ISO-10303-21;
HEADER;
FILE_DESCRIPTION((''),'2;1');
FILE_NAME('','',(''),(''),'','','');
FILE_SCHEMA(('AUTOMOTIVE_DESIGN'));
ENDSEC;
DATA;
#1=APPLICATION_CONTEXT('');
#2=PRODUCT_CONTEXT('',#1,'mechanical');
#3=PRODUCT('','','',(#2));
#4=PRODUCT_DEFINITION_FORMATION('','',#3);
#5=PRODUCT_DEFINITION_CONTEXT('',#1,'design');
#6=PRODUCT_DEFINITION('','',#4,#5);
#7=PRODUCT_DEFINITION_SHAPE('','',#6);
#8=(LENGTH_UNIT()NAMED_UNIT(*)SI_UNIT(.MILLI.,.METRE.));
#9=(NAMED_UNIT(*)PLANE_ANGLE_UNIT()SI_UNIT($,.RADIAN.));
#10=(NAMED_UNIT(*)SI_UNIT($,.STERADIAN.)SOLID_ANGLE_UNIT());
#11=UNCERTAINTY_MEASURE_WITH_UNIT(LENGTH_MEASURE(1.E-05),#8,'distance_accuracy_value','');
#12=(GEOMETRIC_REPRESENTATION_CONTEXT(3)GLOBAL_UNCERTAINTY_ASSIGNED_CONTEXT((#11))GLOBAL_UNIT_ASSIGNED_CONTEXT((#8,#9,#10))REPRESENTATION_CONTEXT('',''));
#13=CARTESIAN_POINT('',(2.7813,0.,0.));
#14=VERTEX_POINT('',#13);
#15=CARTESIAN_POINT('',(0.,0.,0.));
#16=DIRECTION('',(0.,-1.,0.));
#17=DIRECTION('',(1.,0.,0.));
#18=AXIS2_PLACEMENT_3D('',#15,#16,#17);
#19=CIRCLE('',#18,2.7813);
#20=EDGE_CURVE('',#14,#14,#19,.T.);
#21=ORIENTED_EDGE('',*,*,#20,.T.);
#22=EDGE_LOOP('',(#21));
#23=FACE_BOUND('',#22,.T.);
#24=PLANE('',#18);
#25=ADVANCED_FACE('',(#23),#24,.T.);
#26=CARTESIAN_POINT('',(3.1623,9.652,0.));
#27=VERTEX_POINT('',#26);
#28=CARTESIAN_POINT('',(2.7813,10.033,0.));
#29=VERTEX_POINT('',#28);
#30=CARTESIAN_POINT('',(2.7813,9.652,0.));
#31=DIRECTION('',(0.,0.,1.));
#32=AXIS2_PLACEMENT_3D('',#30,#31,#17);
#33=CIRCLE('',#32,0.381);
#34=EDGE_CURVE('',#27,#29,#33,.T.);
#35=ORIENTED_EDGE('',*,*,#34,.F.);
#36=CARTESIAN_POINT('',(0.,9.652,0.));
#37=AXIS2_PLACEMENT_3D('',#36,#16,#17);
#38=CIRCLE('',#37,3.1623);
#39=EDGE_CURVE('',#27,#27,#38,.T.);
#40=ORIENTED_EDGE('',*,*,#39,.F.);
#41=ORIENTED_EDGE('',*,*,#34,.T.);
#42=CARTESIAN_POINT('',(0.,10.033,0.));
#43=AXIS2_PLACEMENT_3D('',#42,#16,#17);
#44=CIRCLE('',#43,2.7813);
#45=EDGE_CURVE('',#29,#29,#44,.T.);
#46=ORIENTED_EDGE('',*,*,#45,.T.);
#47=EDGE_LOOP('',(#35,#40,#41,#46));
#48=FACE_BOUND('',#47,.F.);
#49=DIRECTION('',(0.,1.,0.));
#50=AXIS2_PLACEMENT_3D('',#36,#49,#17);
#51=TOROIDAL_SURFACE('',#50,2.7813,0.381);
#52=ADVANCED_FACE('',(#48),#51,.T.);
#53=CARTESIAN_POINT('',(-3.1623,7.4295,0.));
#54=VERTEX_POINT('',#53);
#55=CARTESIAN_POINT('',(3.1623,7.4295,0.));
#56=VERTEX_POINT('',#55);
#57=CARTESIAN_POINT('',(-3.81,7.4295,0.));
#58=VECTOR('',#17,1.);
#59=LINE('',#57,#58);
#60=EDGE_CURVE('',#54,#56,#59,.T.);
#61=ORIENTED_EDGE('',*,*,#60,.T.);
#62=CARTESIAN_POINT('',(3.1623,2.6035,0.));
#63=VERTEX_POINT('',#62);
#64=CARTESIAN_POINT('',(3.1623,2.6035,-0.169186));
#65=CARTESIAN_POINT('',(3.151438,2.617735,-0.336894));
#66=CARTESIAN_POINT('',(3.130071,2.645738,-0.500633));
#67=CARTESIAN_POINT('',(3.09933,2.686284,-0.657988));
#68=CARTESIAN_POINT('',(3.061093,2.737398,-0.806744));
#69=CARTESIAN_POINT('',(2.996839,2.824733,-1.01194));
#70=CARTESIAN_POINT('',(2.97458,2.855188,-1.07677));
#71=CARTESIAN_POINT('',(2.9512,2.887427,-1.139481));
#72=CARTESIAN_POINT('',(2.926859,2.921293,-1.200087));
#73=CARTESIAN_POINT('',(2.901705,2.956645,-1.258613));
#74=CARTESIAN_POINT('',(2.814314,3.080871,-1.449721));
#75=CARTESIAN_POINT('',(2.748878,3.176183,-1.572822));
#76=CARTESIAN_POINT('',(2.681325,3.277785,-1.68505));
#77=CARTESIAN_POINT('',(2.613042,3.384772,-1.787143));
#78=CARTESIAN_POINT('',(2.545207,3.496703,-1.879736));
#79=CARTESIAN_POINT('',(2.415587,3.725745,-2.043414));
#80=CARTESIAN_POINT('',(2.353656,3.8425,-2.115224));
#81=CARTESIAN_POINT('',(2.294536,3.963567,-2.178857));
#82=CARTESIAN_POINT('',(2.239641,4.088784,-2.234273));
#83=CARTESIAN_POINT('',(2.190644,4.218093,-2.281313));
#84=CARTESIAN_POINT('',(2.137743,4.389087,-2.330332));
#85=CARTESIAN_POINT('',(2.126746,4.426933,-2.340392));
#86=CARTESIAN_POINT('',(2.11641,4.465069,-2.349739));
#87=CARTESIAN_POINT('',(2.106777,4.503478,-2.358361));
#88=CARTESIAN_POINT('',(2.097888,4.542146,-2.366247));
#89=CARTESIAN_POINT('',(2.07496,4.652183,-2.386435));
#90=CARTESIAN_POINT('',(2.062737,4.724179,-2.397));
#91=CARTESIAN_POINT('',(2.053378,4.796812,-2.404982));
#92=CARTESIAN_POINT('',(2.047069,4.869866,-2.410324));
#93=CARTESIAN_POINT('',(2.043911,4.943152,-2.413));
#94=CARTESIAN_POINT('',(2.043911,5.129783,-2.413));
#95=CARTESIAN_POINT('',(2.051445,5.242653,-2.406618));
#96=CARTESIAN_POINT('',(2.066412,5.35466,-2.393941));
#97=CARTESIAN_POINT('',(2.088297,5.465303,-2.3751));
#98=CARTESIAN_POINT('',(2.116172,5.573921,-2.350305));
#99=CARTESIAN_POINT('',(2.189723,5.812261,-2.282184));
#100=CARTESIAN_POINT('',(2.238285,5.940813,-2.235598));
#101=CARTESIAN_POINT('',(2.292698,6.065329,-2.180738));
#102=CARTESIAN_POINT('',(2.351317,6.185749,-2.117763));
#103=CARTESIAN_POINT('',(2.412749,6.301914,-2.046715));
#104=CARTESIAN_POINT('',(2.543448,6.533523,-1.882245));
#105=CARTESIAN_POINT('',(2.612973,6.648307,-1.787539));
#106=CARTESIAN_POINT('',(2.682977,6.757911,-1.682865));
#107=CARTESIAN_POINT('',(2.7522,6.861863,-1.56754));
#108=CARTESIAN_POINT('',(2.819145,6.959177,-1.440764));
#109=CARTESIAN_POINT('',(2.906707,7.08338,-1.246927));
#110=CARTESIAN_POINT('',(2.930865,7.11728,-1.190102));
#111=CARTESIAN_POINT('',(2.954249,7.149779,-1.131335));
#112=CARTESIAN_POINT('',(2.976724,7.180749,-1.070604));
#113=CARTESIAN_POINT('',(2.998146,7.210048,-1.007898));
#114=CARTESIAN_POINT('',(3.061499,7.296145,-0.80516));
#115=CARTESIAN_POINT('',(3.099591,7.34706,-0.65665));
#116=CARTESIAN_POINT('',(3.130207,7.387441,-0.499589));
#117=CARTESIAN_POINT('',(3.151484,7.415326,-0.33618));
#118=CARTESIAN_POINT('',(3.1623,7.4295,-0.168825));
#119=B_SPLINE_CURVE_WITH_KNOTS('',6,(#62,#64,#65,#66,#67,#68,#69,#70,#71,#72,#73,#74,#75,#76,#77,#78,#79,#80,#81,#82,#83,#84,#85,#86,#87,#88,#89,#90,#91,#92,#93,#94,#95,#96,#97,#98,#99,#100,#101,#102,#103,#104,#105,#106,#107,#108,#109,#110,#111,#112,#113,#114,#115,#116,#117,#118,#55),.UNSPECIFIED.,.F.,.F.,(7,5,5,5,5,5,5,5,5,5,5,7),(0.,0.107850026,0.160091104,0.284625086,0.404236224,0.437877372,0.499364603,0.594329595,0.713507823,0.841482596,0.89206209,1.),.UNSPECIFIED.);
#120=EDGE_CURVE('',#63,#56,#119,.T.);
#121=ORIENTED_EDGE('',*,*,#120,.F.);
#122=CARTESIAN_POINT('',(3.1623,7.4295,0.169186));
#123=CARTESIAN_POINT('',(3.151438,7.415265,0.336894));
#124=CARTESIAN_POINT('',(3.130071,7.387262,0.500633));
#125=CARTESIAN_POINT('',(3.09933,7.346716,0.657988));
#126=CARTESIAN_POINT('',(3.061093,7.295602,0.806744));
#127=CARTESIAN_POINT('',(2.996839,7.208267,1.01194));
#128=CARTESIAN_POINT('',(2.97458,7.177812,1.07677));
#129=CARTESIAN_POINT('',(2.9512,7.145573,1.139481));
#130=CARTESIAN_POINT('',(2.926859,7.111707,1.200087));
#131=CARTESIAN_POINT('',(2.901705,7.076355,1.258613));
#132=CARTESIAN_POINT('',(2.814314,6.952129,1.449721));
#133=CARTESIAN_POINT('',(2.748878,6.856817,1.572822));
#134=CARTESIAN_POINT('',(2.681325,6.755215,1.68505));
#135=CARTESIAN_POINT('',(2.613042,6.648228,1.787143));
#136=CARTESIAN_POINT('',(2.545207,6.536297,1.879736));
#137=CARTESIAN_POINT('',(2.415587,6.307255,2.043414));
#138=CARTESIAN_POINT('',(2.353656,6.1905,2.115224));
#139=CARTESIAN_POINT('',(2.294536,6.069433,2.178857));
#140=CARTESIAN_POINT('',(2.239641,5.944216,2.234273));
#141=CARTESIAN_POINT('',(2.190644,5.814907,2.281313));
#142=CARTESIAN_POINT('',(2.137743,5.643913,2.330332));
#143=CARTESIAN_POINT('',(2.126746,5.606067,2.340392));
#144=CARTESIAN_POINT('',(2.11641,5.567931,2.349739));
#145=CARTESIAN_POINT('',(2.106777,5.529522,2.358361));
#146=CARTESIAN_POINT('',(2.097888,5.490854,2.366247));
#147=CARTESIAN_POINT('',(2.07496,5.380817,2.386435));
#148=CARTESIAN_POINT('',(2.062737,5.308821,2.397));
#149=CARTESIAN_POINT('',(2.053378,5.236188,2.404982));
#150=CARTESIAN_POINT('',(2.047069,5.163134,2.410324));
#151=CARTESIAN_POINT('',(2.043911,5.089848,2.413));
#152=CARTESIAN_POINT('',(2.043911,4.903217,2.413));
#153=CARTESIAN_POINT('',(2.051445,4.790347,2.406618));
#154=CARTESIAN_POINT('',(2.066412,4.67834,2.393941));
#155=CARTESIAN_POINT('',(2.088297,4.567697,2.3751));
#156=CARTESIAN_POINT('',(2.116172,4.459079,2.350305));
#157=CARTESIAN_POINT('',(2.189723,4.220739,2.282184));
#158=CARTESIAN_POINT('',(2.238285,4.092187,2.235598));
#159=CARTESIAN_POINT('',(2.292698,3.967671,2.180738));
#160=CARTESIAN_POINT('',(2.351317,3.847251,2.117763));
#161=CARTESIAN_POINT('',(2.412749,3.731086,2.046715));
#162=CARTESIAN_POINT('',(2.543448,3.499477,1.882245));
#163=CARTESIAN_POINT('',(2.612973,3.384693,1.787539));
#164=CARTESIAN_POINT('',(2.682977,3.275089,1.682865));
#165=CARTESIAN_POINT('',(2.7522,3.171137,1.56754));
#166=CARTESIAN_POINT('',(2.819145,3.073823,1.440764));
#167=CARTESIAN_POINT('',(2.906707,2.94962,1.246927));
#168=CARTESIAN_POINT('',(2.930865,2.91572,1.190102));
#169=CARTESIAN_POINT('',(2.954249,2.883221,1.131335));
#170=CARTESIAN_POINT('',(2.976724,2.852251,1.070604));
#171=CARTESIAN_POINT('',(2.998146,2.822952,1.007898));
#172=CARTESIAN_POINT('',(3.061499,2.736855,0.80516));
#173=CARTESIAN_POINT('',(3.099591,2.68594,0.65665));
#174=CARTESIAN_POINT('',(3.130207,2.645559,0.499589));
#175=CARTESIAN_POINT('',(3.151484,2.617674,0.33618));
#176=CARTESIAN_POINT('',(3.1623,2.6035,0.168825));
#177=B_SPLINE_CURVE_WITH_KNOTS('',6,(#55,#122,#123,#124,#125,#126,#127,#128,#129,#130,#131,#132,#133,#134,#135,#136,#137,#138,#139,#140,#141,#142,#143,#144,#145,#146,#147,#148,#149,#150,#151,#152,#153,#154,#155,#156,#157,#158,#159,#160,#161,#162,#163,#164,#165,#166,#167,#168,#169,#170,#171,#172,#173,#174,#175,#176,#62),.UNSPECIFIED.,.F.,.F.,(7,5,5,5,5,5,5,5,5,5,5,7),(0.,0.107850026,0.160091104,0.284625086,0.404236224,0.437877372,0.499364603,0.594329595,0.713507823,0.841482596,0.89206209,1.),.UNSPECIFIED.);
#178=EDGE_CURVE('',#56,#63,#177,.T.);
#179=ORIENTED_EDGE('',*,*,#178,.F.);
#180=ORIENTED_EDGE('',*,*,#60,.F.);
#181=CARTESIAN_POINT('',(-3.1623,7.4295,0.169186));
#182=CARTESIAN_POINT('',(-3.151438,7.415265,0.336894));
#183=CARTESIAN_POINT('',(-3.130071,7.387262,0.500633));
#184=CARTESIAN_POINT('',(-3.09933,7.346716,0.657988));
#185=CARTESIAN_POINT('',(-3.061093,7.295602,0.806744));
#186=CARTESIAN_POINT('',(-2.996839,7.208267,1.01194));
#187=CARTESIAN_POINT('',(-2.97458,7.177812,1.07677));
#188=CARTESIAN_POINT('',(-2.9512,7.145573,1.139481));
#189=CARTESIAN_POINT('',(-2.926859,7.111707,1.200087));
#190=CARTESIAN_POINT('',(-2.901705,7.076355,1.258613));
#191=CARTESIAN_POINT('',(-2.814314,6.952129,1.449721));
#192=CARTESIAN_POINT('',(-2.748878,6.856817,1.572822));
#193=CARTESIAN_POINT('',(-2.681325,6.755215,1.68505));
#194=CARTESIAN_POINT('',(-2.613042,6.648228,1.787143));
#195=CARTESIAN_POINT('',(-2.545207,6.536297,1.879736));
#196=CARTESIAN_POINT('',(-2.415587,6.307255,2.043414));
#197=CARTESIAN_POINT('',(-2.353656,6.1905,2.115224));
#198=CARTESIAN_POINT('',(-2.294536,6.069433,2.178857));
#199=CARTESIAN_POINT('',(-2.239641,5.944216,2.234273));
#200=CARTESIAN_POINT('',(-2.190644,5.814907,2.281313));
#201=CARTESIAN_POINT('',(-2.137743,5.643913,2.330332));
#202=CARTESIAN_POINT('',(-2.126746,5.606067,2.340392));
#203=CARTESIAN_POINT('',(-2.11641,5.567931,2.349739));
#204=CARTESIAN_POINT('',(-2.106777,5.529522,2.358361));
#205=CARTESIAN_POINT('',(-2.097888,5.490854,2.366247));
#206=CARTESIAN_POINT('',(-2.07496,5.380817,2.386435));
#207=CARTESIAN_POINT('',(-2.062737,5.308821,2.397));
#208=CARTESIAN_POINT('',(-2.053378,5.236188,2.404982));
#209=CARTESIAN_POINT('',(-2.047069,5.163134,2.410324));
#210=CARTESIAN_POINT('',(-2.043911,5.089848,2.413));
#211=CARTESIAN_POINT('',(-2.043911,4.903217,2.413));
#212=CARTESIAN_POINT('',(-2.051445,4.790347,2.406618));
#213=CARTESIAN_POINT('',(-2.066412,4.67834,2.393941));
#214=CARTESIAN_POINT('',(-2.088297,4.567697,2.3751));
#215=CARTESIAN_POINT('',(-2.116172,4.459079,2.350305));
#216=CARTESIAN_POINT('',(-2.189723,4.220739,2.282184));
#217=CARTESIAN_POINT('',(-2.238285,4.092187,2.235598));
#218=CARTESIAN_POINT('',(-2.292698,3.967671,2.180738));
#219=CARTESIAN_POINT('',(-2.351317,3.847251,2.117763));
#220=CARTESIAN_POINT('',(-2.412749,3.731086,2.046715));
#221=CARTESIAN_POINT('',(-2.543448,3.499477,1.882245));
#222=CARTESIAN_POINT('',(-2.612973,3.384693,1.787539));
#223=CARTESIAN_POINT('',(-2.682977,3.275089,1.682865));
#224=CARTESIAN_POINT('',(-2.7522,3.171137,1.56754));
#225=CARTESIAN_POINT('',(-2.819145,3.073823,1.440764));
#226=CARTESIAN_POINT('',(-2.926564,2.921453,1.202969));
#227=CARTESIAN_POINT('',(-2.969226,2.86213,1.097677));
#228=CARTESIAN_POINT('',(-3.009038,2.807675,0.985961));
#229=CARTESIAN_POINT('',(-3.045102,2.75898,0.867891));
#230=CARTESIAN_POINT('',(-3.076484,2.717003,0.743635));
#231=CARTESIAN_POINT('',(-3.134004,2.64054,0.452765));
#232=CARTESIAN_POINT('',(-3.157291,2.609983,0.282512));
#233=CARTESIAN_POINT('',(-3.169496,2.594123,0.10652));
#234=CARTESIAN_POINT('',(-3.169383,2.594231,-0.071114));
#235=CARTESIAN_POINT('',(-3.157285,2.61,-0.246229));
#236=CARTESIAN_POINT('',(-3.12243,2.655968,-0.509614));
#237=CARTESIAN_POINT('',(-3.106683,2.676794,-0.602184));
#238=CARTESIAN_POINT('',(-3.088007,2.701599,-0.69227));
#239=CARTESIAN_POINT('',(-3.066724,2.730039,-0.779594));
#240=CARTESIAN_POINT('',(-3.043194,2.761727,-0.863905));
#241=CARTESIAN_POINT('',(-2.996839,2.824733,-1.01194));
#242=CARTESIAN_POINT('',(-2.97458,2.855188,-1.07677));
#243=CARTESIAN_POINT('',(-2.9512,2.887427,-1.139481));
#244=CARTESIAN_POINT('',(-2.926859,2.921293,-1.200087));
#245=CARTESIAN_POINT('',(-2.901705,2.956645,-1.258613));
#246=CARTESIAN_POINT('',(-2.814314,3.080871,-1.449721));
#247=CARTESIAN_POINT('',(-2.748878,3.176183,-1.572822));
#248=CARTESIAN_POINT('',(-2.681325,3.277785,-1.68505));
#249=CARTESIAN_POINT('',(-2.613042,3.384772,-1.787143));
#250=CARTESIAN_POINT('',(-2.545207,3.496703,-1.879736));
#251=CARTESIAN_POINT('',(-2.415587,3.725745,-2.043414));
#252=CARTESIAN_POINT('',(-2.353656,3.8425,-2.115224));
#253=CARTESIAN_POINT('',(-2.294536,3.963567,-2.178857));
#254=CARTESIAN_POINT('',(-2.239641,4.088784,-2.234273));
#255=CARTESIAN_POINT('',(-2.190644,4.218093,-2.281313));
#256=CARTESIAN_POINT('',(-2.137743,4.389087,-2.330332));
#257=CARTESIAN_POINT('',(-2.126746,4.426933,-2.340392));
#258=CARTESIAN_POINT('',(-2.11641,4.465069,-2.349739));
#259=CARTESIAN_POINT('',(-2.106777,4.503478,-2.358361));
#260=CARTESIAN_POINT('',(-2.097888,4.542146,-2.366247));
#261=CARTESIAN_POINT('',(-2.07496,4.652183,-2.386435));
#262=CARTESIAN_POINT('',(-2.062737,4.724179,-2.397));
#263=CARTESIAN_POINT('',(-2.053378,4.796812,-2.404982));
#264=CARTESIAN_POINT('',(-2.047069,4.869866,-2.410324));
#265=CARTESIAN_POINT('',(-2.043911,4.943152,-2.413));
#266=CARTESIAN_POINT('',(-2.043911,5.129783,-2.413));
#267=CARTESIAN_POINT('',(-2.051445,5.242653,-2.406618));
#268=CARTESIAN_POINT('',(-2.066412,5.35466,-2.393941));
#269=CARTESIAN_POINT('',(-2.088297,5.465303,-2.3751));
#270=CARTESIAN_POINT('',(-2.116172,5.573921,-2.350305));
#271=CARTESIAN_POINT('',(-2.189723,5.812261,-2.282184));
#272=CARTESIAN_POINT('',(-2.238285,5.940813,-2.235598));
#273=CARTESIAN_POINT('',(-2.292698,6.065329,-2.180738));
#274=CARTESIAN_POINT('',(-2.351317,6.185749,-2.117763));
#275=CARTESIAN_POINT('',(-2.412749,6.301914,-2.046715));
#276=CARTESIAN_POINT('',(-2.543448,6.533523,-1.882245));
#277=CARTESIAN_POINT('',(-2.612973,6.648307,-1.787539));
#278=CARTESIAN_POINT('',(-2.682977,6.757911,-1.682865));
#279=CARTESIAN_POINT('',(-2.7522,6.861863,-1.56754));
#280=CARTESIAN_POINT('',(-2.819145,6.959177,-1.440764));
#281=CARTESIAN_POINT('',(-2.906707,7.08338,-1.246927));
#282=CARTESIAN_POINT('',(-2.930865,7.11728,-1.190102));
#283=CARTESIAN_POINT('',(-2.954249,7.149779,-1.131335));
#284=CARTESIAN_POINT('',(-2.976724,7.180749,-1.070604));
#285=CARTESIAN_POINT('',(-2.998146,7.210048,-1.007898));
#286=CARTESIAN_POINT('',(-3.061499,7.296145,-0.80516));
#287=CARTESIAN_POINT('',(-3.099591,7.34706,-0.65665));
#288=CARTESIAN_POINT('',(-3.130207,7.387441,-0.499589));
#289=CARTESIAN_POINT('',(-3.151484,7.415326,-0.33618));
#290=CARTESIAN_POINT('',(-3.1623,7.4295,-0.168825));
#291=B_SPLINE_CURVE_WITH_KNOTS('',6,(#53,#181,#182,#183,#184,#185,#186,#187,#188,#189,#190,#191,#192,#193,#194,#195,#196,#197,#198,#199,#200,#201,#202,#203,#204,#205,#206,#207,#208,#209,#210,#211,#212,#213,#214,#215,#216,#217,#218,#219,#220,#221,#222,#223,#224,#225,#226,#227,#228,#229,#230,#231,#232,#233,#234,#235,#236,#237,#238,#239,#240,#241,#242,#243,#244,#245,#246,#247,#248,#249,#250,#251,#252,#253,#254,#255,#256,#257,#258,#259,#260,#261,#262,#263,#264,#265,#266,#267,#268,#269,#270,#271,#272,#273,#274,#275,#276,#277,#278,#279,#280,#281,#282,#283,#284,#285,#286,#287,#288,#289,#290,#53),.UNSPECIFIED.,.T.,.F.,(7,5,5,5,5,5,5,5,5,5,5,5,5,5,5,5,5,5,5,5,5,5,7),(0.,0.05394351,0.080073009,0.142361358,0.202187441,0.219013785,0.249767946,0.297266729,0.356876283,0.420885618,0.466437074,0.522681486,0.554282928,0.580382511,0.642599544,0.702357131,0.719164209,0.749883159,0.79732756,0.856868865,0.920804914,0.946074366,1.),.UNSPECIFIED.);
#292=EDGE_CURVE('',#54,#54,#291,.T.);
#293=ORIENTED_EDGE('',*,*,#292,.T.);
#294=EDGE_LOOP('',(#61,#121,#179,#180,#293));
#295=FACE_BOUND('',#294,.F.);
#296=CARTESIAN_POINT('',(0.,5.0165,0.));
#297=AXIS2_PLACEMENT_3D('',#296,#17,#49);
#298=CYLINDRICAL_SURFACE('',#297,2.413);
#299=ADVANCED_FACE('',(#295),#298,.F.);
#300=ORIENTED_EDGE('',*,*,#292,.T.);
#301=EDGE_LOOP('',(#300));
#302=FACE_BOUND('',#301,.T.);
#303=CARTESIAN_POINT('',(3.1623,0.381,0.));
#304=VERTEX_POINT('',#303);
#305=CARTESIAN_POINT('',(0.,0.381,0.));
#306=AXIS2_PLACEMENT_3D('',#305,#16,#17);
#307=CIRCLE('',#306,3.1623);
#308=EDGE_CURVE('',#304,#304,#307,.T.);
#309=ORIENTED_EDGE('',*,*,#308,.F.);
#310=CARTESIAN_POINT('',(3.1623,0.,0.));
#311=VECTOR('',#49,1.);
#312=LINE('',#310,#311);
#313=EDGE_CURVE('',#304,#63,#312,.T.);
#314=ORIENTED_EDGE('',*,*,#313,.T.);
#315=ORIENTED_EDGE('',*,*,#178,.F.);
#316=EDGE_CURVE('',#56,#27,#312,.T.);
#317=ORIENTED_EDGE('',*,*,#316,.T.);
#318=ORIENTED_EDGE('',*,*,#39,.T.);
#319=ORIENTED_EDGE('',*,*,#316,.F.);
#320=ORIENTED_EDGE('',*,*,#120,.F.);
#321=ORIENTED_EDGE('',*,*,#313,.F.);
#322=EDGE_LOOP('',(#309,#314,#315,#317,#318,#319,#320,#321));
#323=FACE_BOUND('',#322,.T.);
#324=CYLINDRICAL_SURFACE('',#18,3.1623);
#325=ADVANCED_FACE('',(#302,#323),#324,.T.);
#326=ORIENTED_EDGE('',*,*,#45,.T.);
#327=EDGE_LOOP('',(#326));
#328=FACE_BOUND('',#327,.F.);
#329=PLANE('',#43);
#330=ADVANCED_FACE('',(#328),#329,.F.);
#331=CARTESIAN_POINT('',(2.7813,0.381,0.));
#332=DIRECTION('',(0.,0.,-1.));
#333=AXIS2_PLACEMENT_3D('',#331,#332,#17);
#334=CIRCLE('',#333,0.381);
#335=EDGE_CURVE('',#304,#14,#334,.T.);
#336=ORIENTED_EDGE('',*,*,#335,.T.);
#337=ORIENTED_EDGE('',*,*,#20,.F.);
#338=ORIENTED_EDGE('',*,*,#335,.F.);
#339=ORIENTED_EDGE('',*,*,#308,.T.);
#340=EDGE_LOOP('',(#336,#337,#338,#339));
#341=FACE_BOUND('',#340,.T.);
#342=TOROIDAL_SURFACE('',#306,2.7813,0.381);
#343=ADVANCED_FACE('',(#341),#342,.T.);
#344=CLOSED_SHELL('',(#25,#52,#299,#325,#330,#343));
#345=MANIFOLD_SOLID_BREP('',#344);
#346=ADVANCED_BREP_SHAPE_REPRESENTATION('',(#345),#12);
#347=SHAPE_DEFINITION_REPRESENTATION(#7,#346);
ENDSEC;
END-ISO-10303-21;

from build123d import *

# Parameters (mm, degrees)
F0_R     = 3.1623
F1_DEPTH = 10.033
F2_R     = 2.413
F3_DEPTH = 3.81
F4_R     = 0.381


with BuildPart() as f1:
    # F0 (on Front) → F1 (new body)
    with BuildSketch(Plane.XZ):
        Circle(F0_R)
    extrude(amount=-F1_DEPTH)

    # F2 (on Right) → F3 (cut, symmetric)
    with BuildSketch(Plane.YZ):
        with Locations((5.0165, 0)):
            Circle(F2_R)
    extrude(amount=F3_DEPTH, both=True, mode=Mode.SUBTRACT)

    # F4
    f4_edges = [f1.edges().sort_by_distance(p)[0] for p in [
        (-3.1623, 10.033, 0),
        (-3.1623, 0, 0),
    ]]
    fillet(f4_edges, radius=F4_R)


solid = f1.part
